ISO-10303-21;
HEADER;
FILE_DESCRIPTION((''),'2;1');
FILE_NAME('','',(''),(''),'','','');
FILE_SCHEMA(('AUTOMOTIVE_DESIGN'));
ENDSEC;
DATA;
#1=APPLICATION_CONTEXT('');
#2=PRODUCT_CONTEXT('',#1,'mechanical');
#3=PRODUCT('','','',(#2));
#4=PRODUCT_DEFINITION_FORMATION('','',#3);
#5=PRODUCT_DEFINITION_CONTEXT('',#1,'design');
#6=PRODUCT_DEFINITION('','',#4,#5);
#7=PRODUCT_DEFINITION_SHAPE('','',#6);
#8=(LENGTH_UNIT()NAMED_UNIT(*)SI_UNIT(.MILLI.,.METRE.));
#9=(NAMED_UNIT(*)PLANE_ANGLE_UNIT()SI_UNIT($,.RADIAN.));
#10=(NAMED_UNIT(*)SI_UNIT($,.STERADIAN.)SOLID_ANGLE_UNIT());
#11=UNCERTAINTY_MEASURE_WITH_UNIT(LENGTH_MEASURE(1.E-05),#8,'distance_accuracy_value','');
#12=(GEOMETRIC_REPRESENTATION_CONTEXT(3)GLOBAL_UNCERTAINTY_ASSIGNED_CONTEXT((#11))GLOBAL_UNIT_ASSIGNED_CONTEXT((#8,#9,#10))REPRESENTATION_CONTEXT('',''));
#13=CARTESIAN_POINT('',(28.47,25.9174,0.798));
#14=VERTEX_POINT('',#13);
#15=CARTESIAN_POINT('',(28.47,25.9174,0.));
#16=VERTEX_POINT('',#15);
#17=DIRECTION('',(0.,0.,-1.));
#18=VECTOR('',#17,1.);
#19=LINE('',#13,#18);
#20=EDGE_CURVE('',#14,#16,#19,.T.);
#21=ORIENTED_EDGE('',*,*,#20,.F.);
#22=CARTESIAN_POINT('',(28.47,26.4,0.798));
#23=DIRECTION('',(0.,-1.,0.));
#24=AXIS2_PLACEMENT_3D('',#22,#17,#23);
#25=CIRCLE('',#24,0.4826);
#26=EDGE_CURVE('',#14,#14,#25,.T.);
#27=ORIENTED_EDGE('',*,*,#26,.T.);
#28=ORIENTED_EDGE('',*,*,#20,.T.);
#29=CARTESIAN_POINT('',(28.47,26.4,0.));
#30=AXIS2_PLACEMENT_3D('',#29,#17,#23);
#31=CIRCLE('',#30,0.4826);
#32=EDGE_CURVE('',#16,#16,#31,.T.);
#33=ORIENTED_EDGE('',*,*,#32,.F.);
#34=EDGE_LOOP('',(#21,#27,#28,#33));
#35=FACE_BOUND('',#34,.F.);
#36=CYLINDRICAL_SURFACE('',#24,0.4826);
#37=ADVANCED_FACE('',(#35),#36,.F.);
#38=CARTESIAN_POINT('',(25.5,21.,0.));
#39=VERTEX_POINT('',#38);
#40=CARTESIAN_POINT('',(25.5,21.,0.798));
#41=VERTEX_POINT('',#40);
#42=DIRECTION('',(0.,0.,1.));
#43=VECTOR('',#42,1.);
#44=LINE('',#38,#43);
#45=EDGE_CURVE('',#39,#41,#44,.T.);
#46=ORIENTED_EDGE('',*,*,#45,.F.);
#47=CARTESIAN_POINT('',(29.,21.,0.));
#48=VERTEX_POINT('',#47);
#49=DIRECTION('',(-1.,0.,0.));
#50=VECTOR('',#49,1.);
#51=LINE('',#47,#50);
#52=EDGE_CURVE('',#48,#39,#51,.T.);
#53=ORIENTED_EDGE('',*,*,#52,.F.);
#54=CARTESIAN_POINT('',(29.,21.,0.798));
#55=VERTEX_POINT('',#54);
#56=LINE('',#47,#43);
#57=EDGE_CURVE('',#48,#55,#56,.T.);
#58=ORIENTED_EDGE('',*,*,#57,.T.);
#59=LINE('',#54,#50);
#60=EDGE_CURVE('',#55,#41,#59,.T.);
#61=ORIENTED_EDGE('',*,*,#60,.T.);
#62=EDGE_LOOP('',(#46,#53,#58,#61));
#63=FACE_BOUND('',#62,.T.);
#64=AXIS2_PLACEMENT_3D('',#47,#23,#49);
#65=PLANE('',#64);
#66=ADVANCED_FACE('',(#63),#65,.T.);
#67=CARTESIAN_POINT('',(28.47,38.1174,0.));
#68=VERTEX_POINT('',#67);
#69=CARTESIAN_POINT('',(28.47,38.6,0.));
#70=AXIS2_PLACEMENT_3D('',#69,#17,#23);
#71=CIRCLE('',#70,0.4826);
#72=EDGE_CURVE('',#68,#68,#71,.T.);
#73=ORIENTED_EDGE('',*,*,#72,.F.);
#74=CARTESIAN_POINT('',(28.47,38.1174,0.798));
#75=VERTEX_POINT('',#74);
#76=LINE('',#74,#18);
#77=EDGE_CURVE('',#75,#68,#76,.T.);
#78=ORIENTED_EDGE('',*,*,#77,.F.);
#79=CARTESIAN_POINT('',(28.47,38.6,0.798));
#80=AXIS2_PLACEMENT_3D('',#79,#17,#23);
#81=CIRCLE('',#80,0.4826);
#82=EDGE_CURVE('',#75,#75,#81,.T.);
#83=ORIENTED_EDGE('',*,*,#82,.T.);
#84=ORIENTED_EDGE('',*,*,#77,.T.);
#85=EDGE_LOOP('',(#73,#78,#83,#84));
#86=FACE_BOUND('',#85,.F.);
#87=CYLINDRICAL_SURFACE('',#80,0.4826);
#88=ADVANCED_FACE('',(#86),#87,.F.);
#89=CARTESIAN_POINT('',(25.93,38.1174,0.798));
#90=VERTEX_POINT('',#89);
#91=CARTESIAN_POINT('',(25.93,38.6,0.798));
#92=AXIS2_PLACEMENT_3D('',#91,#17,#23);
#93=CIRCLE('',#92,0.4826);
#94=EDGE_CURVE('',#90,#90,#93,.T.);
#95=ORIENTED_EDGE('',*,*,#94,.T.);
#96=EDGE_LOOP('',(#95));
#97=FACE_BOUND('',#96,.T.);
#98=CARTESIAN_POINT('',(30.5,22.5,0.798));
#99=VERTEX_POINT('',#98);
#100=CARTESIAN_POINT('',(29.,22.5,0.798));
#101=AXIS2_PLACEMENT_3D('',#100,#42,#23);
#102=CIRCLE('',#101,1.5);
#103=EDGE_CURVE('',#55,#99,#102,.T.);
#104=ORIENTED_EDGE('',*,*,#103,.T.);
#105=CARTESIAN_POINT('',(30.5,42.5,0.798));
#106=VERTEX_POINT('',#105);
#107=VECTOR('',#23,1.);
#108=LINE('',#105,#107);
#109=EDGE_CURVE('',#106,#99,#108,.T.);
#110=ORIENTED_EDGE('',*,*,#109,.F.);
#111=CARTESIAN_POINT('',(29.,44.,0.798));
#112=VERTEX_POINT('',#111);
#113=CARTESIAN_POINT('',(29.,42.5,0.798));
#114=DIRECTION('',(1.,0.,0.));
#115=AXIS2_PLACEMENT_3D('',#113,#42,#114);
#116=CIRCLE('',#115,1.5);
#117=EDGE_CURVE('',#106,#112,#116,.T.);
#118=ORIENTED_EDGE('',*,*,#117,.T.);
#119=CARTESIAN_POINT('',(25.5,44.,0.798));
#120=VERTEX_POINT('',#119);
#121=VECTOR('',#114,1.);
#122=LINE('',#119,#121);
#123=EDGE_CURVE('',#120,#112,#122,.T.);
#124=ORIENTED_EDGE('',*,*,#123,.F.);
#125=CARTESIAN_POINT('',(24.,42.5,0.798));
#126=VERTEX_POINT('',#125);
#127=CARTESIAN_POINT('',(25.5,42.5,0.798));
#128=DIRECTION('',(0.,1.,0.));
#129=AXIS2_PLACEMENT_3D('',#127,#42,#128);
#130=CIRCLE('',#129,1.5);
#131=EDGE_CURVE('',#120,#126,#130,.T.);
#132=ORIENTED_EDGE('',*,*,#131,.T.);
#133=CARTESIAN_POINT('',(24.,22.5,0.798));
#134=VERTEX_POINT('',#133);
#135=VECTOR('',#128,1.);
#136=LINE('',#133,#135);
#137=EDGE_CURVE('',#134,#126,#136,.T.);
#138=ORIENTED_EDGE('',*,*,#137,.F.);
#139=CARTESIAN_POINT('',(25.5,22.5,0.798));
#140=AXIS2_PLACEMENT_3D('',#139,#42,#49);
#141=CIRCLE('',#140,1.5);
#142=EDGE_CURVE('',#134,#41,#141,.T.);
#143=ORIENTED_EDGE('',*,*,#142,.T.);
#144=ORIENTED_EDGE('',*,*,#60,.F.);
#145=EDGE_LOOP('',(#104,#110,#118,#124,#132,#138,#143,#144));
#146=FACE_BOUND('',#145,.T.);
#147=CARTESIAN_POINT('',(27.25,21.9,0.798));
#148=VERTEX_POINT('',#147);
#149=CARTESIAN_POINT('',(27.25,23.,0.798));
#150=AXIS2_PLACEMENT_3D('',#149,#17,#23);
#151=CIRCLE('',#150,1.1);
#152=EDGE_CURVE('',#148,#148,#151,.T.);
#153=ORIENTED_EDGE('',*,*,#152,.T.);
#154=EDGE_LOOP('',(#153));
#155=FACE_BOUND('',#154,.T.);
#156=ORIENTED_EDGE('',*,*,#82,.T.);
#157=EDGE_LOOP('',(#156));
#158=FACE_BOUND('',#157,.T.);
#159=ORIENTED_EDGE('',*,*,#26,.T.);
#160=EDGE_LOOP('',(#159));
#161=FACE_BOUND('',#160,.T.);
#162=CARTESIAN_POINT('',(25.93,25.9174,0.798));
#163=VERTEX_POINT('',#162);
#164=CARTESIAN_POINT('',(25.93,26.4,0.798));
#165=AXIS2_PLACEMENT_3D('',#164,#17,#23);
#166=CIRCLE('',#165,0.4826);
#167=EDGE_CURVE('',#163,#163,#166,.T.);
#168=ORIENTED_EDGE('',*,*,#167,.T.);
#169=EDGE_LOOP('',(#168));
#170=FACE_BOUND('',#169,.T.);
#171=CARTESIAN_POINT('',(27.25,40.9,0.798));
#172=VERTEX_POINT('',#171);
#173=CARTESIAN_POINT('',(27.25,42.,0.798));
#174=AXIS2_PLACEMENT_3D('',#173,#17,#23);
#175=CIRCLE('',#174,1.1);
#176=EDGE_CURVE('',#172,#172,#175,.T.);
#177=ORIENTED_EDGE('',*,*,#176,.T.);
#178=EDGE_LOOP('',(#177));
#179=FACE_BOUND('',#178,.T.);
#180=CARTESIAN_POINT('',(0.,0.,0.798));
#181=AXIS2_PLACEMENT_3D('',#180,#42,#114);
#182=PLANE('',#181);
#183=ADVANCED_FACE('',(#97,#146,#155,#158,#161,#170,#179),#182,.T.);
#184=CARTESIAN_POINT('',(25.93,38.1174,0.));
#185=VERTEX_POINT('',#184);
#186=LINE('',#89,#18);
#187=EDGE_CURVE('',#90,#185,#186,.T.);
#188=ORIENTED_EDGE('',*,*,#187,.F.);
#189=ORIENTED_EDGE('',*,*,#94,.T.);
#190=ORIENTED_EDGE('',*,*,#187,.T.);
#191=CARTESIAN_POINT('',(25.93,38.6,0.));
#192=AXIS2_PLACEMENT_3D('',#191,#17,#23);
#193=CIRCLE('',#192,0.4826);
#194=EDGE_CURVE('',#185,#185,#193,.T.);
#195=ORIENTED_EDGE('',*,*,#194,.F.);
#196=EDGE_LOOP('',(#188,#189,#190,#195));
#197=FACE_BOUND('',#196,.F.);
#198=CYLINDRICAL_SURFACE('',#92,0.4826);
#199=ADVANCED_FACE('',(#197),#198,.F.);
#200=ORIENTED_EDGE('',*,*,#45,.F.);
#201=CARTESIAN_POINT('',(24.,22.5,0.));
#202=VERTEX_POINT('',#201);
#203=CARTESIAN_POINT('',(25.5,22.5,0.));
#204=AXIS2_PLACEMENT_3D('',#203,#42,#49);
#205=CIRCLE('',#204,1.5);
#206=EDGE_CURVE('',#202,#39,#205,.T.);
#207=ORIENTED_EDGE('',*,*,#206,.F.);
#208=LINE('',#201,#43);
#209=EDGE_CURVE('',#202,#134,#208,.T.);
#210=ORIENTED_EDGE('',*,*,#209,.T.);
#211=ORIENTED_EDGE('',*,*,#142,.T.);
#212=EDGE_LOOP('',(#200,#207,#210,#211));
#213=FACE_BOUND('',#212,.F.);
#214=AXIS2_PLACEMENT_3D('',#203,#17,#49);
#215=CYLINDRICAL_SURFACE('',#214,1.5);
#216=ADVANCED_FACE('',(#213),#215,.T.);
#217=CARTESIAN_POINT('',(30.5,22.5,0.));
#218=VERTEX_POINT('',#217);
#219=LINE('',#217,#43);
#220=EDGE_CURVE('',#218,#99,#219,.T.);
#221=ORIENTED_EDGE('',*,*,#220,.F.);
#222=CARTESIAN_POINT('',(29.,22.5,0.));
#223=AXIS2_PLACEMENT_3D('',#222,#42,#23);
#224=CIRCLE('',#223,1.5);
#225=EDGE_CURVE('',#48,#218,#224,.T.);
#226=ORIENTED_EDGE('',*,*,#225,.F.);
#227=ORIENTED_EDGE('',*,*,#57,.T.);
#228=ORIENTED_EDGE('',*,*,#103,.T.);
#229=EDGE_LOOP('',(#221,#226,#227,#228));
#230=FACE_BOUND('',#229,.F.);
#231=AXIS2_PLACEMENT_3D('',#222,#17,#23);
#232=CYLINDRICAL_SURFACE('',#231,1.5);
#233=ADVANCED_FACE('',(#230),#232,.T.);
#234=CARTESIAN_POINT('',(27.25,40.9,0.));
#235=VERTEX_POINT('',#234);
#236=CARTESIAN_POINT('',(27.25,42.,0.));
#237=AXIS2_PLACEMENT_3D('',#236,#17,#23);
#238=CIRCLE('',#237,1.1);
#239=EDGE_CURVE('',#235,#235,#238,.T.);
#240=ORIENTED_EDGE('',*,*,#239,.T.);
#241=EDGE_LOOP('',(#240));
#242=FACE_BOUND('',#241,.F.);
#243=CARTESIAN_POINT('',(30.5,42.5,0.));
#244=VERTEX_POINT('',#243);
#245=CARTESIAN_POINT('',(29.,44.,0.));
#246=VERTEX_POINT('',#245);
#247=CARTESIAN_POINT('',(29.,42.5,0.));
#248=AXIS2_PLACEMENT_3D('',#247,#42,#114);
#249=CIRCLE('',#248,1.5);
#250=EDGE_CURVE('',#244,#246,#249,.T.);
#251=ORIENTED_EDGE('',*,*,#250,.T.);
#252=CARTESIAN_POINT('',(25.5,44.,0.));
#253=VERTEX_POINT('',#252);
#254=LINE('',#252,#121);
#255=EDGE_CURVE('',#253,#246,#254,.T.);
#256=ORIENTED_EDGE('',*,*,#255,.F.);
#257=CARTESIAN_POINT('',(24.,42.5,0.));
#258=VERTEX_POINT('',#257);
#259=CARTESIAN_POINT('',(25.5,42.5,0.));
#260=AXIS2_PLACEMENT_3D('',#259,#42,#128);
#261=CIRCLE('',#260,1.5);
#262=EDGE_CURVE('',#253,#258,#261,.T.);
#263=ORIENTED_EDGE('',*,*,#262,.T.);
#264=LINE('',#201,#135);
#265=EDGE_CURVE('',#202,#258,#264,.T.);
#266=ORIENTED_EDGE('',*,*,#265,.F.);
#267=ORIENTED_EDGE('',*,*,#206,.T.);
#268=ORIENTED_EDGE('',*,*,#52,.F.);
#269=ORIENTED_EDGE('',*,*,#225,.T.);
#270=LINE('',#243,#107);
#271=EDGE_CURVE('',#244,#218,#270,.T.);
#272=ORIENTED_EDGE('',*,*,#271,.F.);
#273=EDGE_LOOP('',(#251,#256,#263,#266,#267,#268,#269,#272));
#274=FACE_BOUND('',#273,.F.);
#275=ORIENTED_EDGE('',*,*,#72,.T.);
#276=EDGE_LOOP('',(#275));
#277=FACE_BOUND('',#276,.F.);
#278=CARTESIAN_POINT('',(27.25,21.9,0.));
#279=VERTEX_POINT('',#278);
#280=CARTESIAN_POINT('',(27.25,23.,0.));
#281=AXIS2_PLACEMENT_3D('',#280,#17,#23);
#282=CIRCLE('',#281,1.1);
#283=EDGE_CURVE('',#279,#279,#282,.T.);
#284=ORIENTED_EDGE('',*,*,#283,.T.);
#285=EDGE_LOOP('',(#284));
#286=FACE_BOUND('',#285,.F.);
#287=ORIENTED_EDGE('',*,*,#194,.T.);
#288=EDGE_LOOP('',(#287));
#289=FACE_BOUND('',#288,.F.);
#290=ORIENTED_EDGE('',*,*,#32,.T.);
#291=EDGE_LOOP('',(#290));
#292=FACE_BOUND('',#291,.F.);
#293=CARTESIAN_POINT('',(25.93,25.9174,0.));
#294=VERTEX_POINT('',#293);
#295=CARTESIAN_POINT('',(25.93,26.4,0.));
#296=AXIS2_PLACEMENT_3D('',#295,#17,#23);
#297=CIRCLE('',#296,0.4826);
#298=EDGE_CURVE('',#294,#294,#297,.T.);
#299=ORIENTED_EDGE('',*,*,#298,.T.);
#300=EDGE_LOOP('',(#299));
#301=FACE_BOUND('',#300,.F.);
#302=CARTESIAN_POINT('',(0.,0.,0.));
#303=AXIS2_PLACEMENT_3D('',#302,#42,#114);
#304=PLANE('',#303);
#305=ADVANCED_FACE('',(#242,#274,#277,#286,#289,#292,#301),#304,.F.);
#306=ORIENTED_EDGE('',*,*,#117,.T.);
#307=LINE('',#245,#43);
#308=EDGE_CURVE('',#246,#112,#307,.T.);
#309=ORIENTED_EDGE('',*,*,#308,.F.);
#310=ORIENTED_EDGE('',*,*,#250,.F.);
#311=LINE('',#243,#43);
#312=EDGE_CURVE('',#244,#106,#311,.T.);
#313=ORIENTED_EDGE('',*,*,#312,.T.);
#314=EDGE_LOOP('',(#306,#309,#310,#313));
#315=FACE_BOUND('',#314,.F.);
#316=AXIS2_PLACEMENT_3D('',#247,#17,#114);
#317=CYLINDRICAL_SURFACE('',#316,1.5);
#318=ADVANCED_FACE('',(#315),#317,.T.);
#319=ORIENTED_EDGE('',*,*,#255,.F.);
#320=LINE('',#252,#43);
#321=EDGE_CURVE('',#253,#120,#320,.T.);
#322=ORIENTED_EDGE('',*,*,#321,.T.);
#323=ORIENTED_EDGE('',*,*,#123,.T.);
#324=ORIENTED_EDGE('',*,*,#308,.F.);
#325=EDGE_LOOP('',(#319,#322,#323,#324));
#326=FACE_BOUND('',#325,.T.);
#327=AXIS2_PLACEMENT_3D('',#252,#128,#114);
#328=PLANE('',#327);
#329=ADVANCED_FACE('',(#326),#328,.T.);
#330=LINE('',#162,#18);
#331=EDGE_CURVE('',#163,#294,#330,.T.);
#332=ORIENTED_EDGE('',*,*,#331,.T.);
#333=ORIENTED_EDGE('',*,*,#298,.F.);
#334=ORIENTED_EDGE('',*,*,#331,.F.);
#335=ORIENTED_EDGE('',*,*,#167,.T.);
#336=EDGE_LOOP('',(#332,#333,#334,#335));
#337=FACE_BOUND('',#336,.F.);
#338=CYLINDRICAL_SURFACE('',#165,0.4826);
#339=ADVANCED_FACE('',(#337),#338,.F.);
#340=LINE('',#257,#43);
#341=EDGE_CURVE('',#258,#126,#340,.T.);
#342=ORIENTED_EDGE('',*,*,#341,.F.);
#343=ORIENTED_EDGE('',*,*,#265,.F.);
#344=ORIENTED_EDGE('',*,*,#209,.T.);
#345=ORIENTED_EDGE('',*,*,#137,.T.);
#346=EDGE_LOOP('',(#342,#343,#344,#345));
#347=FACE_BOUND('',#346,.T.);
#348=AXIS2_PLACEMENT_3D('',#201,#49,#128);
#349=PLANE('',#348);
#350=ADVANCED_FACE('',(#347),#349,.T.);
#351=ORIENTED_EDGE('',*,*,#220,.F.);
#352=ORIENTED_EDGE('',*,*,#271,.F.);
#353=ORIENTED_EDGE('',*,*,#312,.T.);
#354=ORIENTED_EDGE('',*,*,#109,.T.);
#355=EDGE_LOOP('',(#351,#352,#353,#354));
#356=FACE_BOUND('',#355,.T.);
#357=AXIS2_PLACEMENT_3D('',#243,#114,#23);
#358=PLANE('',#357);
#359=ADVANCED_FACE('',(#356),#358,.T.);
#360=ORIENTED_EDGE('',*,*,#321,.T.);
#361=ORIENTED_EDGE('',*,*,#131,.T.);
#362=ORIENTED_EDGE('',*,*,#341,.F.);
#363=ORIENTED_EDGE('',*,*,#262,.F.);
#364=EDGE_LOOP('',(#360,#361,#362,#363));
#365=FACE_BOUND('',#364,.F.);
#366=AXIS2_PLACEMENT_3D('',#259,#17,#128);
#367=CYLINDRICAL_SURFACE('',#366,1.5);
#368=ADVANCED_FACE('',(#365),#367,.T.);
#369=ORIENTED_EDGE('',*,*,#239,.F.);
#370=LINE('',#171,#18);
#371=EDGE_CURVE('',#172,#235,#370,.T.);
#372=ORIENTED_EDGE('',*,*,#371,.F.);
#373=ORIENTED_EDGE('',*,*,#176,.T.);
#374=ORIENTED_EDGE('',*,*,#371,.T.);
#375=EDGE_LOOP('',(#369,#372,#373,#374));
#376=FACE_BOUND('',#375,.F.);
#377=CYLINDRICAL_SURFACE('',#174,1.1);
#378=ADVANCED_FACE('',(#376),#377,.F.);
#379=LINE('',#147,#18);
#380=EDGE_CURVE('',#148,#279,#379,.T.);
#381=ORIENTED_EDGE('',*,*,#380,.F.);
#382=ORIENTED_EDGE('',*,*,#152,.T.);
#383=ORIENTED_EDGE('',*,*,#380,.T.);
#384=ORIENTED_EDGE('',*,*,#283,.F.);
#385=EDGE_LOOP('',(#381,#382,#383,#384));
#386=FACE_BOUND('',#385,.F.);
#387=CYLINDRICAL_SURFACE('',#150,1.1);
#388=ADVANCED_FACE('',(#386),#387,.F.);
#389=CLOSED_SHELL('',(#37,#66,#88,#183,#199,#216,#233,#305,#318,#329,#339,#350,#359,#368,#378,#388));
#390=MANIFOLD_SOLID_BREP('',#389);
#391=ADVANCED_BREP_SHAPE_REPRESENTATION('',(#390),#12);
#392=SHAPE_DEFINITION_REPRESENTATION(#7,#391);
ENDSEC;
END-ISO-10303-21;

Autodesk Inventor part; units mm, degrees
ref_plane "YZ Plane" through (0, 0, 0) normal (1, 0, 0) x (0, 1, 0)
ref_plane "XZ Plane" through (0, 0, 0) normal (0, 1, 0) x (-1, 0, 0)
ref_plane "BoardFrontPlane" through (0, 0, 0) normal (0, 0, 1) x (1, 0, 0)
sketch "Sketch1" plane through (0, 0, 0) normal (0, 0, 1) x (1, 0, 0)
  line L0 (24, 22.5) -> (24, 42.5)
  arc A0 (25.5, 44) -> (24, 42.5) centre (25.5, 42.5) ccw
  line L1 (25.5, 44) -> (29, 44)
  arc A1 (30.5, 42.5) -> (29, 44) centre (29, 42.5) ccw
  line L2 (30.5, 42.5) -> (30.5, 22.5)
  arc A2 (29, 21) -> (30.5, 22.5) centre (29, 22.5) ccw
  line L3 (29, 21) -> (25.5, 21)
  arc A3 (24, 22.5) -> (25.5, 21) centre (25.5, 22.5) ccw
extrude "BoardOutline" add sketch "Sketch1" along normal blind 0.798
sketch "img_Top" plane through (0, 0, 0.798) normal (0, 0, 1) x (1, 0, 0)
  line L0 (24, 44) -> (30.4988, 44) construction
  line L1 (30.4988, 44) -> (30.4988, 21) construction
  line L2 (30.4988, 21) -> (24, 21) construction
  line L3 (24, 21) -> (24, 44) construction
decal "Decal_Top"
sketch "img_Bottom" plane through (0, 0, -0.798) normal (0, 0, -1) x (1, 0, 0)
  line L0 (24, -21) -> (30.4988, -21) construction
  line L1 (30.4988, -21) -> (30.4988, -44) construction
  line L2 (30.4988, -44) -> (24, -44) construction
  line L3 (24, -44) -> (24, -21) construction
decal "Decal_Bottom"
sketch "Sketch4" plane through (0, 0, 0.798) normal (0, 0, 1) x (1, 0, 0)
  point P0 (28.47, 26.4)
hole "Q1-2" at (28.47, 26.4, 0.798) direction (0, 0, -1) diameter 0.9652 end through all
sketch "Sketch5" plane through (0, 0, 0.798) normal (0, 0, 1) x (1, 0, 0)
  point P0 (25.93, 26.4)
hole "Q1-1" at (25.93, 26.4, 0.798) direction (0, 0, -1) diameter 0.9652 end through all
sketch "Sketch6" plane through (0, 0, 0.798) normal (0, 0, 1) x (1, 0, 0)
  point P0 (28.47, 38.6)
hole "LED1-1" at (28.47, 38.6, 0.798) direction (0, 0, -1) diameter 0.9652 end through all
sketch "Sketch7" plane through (0, 0, 0.798) normal (0, 0, 1) x (1, 0, 0)
  point P0 (25.93, 38.6)
hole "LED1-2" at (25.93, 38.6, 0.798) direction (0, 0, -1) diameter 0.9652 end through all
sketch "Sketch8" plane through (0, 0, 0.798) normal (0, 0, 1) x (1, 0, 0)
  point P0 (27.25, 42)
hole "Free-MP2" at (27.25, 42, 0.798) direction (0, 0, -1) diameter 2.2 end through all
sketch "Sketch9" plane through (0, 0, 0.798) normal (0, 0, 1) x (1, 0, 0)
  point P0 (27.25, 23)
hole "Free-MP1" at (27.25, 23, 0.798) direction (0, 0, -1) diameter 2.2 end through all
properties part number "ND.ForageFeeder.BeamBreak_BOARD"
